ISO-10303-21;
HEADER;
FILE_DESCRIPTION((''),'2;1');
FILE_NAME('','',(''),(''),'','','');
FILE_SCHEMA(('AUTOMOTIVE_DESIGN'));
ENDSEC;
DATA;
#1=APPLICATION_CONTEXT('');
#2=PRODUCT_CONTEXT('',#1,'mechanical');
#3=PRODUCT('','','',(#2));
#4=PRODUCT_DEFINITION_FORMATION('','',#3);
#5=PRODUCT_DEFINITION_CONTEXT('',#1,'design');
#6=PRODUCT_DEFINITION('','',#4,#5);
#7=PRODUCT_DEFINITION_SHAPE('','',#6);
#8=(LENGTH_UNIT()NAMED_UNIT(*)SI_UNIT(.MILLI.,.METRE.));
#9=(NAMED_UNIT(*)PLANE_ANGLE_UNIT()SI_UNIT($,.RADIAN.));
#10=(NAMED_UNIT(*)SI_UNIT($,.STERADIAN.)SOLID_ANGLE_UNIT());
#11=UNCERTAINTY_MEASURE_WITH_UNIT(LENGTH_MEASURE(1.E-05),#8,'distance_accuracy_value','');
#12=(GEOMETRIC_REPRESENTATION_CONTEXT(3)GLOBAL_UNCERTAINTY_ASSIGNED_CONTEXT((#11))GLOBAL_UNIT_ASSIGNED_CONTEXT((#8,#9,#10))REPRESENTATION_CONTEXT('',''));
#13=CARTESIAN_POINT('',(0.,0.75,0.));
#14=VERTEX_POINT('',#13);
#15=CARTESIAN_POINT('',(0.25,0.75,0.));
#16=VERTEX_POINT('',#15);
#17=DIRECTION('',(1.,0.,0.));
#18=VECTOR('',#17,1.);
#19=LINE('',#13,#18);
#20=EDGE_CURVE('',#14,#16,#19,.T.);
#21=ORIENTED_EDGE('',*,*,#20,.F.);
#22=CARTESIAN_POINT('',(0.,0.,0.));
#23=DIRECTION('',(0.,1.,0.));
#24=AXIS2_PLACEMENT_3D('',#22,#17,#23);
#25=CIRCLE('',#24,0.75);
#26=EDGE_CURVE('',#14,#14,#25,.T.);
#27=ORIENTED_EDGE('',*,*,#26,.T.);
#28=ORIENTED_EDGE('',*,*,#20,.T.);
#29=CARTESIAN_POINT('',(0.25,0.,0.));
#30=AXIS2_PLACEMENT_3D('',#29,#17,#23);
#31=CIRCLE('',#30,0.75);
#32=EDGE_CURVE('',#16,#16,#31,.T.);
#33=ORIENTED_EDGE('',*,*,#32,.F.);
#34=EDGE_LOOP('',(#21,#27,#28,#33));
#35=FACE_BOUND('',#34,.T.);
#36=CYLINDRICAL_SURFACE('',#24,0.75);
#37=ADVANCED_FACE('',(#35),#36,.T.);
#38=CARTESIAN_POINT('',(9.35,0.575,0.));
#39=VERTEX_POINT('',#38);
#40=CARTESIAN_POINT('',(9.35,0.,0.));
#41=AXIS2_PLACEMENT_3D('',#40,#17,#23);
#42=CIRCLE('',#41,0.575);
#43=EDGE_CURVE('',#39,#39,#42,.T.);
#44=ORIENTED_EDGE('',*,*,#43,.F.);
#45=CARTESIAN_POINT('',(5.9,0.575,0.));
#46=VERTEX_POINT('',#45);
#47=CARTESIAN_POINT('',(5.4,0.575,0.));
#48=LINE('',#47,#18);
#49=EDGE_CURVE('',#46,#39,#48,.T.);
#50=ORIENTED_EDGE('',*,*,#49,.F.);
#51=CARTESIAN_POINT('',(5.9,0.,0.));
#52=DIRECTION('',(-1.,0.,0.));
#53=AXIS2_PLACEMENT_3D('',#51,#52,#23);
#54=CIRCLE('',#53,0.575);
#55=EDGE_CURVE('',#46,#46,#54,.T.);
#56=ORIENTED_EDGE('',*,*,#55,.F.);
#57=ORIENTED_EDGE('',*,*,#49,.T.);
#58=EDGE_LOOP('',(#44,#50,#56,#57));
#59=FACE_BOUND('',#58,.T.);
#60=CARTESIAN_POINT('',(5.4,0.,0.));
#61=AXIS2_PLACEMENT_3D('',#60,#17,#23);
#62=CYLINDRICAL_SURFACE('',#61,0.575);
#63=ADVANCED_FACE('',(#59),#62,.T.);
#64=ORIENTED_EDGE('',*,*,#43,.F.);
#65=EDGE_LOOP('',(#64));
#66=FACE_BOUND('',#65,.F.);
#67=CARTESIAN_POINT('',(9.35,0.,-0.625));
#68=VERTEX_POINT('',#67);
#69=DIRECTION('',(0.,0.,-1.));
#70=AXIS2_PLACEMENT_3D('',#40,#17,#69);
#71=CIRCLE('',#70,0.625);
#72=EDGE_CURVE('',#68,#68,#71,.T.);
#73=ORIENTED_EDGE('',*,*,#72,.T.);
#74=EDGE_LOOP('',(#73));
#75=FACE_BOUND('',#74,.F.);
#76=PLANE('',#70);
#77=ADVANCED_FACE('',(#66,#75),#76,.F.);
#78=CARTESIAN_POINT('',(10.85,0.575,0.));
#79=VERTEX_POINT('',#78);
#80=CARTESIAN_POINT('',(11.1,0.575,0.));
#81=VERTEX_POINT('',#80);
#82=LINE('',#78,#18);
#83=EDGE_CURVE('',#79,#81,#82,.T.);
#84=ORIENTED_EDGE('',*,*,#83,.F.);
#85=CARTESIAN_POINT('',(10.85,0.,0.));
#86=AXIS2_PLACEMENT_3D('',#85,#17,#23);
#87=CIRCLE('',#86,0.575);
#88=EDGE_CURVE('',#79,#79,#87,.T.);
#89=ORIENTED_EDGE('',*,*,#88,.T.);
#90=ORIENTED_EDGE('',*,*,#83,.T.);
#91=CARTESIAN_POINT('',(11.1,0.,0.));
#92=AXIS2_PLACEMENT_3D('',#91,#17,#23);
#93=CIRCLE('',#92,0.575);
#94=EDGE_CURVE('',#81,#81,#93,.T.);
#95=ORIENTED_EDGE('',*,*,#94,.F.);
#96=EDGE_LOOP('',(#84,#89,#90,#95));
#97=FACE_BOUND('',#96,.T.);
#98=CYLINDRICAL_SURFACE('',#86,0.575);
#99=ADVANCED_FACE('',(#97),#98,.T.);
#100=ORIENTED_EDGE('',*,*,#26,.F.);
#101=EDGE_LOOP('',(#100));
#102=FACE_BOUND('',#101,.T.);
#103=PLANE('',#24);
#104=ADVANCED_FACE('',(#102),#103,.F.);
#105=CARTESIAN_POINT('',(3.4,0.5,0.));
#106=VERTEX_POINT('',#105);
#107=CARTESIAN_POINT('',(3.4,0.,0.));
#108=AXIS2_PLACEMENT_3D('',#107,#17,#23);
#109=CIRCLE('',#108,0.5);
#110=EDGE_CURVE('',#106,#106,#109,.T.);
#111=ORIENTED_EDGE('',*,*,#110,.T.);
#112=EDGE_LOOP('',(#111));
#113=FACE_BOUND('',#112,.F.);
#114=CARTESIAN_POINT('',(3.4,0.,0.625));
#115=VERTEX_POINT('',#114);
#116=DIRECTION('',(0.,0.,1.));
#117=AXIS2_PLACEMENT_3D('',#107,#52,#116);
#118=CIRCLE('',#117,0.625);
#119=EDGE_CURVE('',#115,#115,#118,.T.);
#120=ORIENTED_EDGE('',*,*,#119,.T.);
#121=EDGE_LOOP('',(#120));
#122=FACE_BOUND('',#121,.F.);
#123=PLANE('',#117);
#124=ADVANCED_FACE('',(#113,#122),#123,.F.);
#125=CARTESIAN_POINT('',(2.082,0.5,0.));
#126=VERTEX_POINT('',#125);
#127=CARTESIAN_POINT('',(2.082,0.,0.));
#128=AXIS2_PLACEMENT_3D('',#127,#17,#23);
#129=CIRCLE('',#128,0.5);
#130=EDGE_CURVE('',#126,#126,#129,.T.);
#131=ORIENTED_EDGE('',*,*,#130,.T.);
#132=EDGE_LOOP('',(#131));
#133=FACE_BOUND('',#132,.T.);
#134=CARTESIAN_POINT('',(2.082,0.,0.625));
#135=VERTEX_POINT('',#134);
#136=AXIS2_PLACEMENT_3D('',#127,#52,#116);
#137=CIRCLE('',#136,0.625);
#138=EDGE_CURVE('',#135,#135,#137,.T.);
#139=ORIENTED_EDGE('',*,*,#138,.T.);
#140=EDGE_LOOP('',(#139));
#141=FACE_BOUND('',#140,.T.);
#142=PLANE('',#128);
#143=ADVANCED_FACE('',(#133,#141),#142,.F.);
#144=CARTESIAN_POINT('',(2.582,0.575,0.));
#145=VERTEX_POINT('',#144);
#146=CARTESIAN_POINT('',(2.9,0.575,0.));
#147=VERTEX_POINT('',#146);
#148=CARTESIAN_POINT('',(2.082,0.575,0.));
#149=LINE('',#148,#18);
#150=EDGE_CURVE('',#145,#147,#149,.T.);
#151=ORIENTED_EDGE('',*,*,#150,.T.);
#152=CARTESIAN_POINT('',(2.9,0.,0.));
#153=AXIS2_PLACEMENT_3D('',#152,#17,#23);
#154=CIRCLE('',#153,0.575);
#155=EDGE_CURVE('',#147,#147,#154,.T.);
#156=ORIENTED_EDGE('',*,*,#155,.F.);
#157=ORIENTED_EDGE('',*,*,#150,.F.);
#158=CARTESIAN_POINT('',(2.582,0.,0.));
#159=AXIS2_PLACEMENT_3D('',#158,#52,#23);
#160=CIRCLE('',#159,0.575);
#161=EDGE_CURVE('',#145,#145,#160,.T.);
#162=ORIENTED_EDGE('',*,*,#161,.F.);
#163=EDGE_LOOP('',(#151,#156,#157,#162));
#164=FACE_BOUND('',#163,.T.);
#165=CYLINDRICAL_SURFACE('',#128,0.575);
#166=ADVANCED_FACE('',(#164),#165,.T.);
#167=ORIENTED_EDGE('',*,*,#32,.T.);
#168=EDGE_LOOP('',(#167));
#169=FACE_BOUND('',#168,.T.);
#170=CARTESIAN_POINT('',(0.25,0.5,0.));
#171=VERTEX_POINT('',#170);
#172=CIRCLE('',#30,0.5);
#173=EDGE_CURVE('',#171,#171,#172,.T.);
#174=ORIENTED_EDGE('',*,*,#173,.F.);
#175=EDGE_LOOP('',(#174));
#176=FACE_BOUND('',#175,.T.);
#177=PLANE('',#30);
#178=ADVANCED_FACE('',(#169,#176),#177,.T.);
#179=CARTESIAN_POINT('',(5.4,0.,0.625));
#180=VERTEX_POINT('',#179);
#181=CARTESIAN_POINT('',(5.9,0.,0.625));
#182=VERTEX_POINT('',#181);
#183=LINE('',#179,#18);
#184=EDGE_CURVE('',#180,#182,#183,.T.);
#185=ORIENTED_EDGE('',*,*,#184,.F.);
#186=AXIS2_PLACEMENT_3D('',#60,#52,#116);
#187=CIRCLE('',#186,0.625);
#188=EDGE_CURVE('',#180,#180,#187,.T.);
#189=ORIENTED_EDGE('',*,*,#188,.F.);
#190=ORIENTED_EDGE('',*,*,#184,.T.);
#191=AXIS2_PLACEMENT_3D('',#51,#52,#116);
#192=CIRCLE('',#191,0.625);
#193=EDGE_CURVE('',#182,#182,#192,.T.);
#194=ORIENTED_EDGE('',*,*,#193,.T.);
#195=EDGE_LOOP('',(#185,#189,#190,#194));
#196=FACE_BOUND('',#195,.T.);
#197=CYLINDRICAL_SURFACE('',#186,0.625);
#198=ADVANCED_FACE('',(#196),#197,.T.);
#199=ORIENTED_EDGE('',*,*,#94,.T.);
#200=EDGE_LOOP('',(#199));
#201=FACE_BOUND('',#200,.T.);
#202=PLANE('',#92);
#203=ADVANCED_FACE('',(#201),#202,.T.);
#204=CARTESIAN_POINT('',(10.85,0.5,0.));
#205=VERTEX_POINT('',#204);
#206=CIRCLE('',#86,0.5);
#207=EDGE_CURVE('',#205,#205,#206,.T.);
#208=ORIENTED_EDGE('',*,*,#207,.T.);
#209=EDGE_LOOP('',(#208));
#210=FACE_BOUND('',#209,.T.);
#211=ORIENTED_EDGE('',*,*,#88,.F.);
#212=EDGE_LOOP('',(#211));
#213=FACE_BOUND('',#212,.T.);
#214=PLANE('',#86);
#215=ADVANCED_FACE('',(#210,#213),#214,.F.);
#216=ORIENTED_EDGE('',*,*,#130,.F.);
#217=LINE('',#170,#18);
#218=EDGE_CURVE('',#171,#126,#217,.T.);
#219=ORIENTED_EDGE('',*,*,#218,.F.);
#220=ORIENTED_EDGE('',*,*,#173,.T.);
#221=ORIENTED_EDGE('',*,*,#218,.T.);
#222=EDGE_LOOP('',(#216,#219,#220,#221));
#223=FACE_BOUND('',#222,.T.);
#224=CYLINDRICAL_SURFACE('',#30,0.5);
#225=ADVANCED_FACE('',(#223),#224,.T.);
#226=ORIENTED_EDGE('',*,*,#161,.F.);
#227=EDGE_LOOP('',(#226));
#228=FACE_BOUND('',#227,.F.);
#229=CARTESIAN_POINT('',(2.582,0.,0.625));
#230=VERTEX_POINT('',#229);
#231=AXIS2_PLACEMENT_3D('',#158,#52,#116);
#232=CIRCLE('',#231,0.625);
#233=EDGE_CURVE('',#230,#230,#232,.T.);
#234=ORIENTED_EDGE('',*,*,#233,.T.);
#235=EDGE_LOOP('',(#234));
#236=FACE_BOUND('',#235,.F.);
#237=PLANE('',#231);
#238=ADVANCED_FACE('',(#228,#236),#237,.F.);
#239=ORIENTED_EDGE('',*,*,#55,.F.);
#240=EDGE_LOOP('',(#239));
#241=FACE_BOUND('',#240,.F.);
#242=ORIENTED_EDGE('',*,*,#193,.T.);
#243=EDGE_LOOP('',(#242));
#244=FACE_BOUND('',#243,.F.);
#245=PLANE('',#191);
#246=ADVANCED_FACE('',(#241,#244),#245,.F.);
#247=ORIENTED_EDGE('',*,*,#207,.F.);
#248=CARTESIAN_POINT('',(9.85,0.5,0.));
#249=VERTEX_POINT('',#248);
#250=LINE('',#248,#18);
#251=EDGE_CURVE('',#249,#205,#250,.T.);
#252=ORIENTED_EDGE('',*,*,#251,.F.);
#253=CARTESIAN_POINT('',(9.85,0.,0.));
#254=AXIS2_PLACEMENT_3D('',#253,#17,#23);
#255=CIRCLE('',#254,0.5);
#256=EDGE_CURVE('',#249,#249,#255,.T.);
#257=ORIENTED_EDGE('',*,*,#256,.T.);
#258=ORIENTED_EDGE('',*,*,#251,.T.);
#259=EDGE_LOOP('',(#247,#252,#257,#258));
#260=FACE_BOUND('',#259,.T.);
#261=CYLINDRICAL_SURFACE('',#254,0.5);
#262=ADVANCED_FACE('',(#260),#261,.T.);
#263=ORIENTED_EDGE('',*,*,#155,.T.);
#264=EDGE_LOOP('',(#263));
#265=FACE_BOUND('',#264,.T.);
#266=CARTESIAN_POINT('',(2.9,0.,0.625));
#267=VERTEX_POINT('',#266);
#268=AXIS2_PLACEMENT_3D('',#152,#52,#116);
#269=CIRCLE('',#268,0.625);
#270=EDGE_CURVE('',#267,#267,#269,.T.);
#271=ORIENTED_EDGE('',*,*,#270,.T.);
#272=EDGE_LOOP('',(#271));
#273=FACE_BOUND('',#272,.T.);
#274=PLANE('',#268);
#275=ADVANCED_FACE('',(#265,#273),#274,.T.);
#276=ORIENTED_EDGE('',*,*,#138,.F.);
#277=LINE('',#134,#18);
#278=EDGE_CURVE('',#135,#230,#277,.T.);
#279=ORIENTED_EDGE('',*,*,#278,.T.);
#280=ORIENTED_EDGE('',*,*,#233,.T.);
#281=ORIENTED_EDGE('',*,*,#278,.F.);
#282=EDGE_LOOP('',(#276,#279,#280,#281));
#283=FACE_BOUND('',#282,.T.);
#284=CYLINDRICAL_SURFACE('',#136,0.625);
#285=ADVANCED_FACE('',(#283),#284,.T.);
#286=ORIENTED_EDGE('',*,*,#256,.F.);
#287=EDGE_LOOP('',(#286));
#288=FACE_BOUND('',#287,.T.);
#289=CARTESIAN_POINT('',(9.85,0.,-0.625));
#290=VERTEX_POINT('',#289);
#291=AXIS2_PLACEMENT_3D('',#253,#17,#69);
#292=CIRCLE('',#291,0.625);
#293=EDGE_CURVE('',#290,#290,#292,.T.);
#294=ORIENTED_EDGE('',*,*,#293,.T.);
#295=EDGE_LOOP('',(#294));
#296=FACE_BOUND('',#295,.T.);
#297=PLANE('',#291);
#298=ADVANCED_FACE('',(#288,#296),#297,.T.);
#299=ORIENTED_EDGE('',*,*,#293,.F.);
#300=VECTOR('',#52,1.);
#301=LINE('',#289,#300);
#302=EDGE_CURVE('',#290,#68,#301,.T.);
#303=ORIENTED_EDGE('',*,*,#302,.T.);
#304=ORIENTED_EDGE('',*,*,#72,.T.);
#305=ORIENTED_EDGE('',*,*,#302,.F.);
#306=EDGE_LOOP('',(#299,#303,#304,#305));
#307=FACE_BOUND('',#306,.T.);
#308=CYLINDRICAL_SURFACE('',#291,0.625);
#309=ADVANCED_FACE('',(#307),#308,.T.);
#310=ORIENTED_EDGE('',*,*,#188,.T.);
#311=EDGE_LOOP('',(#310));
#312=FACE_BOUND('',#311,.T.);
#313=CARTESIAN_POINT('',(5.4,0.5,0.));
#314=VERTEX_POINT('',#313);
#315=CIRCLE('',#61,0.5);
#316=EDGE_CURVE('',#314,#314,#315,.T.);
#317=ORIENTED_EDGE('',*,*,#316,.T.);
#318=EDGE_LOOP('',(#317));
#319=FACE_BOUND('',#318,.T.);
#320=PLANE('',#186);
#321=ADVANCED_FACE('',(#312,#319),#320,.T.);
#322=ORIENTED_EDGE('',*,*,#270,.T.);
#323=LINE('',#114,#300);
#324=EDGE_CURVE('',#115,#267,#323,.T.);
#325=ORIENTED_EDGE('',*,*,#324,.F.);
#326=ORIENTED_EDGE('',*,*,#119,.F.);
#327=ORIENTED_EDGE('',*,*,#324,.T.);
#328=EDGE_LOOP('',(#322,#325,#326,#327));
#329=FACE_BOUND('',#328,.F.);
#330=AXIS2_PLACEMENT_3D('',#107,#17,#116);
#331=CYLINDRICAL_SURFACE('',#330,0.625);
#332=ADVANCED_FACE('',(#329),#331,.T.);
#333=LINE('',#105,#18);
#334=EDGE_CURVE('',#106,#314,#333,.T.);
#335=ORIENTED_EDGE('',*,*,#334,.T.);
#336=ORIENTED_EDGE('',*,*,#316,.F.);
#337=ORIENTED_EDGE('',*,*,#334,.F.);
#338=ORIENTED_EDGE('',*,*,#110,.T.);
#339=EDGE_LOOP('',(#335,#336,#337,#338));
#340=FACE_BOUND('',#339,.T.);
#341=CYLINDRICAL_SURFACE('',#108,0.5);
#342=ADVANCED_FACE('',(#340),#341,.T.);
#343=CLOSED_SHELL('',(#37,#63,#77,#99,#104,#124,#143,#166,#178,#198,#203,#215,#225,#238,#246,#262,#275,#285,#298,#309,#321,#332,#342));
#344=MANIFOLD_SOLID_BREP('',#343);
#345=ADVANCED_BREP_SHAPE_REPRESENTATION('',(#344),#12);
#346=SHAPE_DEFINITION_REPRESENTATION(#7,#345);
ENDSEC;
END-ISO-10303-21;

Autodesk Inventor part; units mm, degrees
ref_plane "Start Plane" through (0, 0, 0) normal (1, 0, 0) x (0, 1, 0)
ref_plane "XZ Plane" through (0, 0, 0) normal (0, 1, 0) x (-1, 0, 0)
sketch "Main Sketch" plane through (0, 0, 0) normal (0, 0, 1) x (1, 0, 0)
  line L0 (0, 0) -> (11.1, 0)
  line L1 (0, 0) -> (0, 0.75)
  line L2 (0, 0.75) -> (0.25, 0.75)
  line L3 (0.25, 0.5) -> (2.082, 0.5)
  line L4 (2.082, 0.575) -> (3.4, 0.575)
  line L5 (3.4, 0.5) -> (5.4, 0.5)
  line L6 (5.4, 0.575) -> (9.85, 0.575)
  line L7 (9.85, 0.5) -> (10.85, 0.5)
  line L8 (11.1, 0.575) -> (11.1, 0)
  line L9 (10.85, 0.575) -> (11.1, 0.575)
  line L10 (0.25, 0.75) -> (0.25, 0.5)
  line L11 (2.082, 0.5) -> (2.082, 0.575)
  line L12 (3.4, 0.575) -> (3.4, 0.5)
  line L13 (5.4, 0.5) -> (5.4, 0.575)
  line L14 (9.85, 0.575) -> (9.85, 0.5)
  line L15 (10.85, 0.5) -> (10.85, 0.575)
  dimension "d3" = 1.5
  dimension "d4" = 1
  dimension "d5" = 1.15
  dimension "d6" = 1
  dimension "d7" = 1.15
  dimension "d8" = 1
  dimension "d9" = 1.15
revolve "Revolution1" add sketch "Main Sketch" angle 360 about axis through (0, 0, 0) along (1, 0, 0)
ref_plane "Work Plane1" through (2.082, 0, 0) normal (-1, 0, 0) x (0, 0, 1)
sketch "Sketch3" plane through (2.082, 0, 0) normal (-1, 0, 0) x (0, 0, 1)
  circle A0 centre (0, 0) radius 0.575 projected
  circle A1 centre (0, 0) radius 0.75 projected
  circle A2 centre (0, 0) radius 0.625
  dimension "d13" = 1.25
extrude "Extrusion1" add sketch "Sketch3" against normal blind 0.5 contours A2
ref_plane "Work Plane2" through (3.4, 0, 0) normal (-1, 0, 0) x (0, 0, 1)
sketch "Sketch4" plane through (3.4, 0, 0) normal (-1, 0, 0) x (0, 0, 1)
  circle A0 centre (0, 0) radius 0.5 projected
  circle A1 centre (0, 0) radius 0.575 projected
  circle A2 centre (0, 0) radius 0.625
  dimension "d17" = 1.25
extrude "Extrusion2" add sketch "Sketch4" along normal blind 0.5 contours A2
sketch "Sketch5" plane through (5.4, 0, 0) normal (-1, 0, 0) x (0, 0, 1)
  circle A0 centre (0, 0) radius 0.575 projected
  circle A1 centre (0, 0) radius 0.625
  dimension "d20" = 1.25
extrude "Extrusion3" add sketch "Sketch5" against normal blind 0.5
sketch "Sketch6" plane through (9.85, 0, 0) normal (1, 0, 0) x (0, 0, -1)
  circle A0 centre (0, 0) radius 0.625
  circle A1 centre (0, 0) radius 0.575 projected
  dimension "d23" = 1.25
extrude "Extrusion4" add sketch "Sketch6" against normal blind 0.5
equation "\"Length\" = 11.1"
properties part number "Shaft" material "Steel"
